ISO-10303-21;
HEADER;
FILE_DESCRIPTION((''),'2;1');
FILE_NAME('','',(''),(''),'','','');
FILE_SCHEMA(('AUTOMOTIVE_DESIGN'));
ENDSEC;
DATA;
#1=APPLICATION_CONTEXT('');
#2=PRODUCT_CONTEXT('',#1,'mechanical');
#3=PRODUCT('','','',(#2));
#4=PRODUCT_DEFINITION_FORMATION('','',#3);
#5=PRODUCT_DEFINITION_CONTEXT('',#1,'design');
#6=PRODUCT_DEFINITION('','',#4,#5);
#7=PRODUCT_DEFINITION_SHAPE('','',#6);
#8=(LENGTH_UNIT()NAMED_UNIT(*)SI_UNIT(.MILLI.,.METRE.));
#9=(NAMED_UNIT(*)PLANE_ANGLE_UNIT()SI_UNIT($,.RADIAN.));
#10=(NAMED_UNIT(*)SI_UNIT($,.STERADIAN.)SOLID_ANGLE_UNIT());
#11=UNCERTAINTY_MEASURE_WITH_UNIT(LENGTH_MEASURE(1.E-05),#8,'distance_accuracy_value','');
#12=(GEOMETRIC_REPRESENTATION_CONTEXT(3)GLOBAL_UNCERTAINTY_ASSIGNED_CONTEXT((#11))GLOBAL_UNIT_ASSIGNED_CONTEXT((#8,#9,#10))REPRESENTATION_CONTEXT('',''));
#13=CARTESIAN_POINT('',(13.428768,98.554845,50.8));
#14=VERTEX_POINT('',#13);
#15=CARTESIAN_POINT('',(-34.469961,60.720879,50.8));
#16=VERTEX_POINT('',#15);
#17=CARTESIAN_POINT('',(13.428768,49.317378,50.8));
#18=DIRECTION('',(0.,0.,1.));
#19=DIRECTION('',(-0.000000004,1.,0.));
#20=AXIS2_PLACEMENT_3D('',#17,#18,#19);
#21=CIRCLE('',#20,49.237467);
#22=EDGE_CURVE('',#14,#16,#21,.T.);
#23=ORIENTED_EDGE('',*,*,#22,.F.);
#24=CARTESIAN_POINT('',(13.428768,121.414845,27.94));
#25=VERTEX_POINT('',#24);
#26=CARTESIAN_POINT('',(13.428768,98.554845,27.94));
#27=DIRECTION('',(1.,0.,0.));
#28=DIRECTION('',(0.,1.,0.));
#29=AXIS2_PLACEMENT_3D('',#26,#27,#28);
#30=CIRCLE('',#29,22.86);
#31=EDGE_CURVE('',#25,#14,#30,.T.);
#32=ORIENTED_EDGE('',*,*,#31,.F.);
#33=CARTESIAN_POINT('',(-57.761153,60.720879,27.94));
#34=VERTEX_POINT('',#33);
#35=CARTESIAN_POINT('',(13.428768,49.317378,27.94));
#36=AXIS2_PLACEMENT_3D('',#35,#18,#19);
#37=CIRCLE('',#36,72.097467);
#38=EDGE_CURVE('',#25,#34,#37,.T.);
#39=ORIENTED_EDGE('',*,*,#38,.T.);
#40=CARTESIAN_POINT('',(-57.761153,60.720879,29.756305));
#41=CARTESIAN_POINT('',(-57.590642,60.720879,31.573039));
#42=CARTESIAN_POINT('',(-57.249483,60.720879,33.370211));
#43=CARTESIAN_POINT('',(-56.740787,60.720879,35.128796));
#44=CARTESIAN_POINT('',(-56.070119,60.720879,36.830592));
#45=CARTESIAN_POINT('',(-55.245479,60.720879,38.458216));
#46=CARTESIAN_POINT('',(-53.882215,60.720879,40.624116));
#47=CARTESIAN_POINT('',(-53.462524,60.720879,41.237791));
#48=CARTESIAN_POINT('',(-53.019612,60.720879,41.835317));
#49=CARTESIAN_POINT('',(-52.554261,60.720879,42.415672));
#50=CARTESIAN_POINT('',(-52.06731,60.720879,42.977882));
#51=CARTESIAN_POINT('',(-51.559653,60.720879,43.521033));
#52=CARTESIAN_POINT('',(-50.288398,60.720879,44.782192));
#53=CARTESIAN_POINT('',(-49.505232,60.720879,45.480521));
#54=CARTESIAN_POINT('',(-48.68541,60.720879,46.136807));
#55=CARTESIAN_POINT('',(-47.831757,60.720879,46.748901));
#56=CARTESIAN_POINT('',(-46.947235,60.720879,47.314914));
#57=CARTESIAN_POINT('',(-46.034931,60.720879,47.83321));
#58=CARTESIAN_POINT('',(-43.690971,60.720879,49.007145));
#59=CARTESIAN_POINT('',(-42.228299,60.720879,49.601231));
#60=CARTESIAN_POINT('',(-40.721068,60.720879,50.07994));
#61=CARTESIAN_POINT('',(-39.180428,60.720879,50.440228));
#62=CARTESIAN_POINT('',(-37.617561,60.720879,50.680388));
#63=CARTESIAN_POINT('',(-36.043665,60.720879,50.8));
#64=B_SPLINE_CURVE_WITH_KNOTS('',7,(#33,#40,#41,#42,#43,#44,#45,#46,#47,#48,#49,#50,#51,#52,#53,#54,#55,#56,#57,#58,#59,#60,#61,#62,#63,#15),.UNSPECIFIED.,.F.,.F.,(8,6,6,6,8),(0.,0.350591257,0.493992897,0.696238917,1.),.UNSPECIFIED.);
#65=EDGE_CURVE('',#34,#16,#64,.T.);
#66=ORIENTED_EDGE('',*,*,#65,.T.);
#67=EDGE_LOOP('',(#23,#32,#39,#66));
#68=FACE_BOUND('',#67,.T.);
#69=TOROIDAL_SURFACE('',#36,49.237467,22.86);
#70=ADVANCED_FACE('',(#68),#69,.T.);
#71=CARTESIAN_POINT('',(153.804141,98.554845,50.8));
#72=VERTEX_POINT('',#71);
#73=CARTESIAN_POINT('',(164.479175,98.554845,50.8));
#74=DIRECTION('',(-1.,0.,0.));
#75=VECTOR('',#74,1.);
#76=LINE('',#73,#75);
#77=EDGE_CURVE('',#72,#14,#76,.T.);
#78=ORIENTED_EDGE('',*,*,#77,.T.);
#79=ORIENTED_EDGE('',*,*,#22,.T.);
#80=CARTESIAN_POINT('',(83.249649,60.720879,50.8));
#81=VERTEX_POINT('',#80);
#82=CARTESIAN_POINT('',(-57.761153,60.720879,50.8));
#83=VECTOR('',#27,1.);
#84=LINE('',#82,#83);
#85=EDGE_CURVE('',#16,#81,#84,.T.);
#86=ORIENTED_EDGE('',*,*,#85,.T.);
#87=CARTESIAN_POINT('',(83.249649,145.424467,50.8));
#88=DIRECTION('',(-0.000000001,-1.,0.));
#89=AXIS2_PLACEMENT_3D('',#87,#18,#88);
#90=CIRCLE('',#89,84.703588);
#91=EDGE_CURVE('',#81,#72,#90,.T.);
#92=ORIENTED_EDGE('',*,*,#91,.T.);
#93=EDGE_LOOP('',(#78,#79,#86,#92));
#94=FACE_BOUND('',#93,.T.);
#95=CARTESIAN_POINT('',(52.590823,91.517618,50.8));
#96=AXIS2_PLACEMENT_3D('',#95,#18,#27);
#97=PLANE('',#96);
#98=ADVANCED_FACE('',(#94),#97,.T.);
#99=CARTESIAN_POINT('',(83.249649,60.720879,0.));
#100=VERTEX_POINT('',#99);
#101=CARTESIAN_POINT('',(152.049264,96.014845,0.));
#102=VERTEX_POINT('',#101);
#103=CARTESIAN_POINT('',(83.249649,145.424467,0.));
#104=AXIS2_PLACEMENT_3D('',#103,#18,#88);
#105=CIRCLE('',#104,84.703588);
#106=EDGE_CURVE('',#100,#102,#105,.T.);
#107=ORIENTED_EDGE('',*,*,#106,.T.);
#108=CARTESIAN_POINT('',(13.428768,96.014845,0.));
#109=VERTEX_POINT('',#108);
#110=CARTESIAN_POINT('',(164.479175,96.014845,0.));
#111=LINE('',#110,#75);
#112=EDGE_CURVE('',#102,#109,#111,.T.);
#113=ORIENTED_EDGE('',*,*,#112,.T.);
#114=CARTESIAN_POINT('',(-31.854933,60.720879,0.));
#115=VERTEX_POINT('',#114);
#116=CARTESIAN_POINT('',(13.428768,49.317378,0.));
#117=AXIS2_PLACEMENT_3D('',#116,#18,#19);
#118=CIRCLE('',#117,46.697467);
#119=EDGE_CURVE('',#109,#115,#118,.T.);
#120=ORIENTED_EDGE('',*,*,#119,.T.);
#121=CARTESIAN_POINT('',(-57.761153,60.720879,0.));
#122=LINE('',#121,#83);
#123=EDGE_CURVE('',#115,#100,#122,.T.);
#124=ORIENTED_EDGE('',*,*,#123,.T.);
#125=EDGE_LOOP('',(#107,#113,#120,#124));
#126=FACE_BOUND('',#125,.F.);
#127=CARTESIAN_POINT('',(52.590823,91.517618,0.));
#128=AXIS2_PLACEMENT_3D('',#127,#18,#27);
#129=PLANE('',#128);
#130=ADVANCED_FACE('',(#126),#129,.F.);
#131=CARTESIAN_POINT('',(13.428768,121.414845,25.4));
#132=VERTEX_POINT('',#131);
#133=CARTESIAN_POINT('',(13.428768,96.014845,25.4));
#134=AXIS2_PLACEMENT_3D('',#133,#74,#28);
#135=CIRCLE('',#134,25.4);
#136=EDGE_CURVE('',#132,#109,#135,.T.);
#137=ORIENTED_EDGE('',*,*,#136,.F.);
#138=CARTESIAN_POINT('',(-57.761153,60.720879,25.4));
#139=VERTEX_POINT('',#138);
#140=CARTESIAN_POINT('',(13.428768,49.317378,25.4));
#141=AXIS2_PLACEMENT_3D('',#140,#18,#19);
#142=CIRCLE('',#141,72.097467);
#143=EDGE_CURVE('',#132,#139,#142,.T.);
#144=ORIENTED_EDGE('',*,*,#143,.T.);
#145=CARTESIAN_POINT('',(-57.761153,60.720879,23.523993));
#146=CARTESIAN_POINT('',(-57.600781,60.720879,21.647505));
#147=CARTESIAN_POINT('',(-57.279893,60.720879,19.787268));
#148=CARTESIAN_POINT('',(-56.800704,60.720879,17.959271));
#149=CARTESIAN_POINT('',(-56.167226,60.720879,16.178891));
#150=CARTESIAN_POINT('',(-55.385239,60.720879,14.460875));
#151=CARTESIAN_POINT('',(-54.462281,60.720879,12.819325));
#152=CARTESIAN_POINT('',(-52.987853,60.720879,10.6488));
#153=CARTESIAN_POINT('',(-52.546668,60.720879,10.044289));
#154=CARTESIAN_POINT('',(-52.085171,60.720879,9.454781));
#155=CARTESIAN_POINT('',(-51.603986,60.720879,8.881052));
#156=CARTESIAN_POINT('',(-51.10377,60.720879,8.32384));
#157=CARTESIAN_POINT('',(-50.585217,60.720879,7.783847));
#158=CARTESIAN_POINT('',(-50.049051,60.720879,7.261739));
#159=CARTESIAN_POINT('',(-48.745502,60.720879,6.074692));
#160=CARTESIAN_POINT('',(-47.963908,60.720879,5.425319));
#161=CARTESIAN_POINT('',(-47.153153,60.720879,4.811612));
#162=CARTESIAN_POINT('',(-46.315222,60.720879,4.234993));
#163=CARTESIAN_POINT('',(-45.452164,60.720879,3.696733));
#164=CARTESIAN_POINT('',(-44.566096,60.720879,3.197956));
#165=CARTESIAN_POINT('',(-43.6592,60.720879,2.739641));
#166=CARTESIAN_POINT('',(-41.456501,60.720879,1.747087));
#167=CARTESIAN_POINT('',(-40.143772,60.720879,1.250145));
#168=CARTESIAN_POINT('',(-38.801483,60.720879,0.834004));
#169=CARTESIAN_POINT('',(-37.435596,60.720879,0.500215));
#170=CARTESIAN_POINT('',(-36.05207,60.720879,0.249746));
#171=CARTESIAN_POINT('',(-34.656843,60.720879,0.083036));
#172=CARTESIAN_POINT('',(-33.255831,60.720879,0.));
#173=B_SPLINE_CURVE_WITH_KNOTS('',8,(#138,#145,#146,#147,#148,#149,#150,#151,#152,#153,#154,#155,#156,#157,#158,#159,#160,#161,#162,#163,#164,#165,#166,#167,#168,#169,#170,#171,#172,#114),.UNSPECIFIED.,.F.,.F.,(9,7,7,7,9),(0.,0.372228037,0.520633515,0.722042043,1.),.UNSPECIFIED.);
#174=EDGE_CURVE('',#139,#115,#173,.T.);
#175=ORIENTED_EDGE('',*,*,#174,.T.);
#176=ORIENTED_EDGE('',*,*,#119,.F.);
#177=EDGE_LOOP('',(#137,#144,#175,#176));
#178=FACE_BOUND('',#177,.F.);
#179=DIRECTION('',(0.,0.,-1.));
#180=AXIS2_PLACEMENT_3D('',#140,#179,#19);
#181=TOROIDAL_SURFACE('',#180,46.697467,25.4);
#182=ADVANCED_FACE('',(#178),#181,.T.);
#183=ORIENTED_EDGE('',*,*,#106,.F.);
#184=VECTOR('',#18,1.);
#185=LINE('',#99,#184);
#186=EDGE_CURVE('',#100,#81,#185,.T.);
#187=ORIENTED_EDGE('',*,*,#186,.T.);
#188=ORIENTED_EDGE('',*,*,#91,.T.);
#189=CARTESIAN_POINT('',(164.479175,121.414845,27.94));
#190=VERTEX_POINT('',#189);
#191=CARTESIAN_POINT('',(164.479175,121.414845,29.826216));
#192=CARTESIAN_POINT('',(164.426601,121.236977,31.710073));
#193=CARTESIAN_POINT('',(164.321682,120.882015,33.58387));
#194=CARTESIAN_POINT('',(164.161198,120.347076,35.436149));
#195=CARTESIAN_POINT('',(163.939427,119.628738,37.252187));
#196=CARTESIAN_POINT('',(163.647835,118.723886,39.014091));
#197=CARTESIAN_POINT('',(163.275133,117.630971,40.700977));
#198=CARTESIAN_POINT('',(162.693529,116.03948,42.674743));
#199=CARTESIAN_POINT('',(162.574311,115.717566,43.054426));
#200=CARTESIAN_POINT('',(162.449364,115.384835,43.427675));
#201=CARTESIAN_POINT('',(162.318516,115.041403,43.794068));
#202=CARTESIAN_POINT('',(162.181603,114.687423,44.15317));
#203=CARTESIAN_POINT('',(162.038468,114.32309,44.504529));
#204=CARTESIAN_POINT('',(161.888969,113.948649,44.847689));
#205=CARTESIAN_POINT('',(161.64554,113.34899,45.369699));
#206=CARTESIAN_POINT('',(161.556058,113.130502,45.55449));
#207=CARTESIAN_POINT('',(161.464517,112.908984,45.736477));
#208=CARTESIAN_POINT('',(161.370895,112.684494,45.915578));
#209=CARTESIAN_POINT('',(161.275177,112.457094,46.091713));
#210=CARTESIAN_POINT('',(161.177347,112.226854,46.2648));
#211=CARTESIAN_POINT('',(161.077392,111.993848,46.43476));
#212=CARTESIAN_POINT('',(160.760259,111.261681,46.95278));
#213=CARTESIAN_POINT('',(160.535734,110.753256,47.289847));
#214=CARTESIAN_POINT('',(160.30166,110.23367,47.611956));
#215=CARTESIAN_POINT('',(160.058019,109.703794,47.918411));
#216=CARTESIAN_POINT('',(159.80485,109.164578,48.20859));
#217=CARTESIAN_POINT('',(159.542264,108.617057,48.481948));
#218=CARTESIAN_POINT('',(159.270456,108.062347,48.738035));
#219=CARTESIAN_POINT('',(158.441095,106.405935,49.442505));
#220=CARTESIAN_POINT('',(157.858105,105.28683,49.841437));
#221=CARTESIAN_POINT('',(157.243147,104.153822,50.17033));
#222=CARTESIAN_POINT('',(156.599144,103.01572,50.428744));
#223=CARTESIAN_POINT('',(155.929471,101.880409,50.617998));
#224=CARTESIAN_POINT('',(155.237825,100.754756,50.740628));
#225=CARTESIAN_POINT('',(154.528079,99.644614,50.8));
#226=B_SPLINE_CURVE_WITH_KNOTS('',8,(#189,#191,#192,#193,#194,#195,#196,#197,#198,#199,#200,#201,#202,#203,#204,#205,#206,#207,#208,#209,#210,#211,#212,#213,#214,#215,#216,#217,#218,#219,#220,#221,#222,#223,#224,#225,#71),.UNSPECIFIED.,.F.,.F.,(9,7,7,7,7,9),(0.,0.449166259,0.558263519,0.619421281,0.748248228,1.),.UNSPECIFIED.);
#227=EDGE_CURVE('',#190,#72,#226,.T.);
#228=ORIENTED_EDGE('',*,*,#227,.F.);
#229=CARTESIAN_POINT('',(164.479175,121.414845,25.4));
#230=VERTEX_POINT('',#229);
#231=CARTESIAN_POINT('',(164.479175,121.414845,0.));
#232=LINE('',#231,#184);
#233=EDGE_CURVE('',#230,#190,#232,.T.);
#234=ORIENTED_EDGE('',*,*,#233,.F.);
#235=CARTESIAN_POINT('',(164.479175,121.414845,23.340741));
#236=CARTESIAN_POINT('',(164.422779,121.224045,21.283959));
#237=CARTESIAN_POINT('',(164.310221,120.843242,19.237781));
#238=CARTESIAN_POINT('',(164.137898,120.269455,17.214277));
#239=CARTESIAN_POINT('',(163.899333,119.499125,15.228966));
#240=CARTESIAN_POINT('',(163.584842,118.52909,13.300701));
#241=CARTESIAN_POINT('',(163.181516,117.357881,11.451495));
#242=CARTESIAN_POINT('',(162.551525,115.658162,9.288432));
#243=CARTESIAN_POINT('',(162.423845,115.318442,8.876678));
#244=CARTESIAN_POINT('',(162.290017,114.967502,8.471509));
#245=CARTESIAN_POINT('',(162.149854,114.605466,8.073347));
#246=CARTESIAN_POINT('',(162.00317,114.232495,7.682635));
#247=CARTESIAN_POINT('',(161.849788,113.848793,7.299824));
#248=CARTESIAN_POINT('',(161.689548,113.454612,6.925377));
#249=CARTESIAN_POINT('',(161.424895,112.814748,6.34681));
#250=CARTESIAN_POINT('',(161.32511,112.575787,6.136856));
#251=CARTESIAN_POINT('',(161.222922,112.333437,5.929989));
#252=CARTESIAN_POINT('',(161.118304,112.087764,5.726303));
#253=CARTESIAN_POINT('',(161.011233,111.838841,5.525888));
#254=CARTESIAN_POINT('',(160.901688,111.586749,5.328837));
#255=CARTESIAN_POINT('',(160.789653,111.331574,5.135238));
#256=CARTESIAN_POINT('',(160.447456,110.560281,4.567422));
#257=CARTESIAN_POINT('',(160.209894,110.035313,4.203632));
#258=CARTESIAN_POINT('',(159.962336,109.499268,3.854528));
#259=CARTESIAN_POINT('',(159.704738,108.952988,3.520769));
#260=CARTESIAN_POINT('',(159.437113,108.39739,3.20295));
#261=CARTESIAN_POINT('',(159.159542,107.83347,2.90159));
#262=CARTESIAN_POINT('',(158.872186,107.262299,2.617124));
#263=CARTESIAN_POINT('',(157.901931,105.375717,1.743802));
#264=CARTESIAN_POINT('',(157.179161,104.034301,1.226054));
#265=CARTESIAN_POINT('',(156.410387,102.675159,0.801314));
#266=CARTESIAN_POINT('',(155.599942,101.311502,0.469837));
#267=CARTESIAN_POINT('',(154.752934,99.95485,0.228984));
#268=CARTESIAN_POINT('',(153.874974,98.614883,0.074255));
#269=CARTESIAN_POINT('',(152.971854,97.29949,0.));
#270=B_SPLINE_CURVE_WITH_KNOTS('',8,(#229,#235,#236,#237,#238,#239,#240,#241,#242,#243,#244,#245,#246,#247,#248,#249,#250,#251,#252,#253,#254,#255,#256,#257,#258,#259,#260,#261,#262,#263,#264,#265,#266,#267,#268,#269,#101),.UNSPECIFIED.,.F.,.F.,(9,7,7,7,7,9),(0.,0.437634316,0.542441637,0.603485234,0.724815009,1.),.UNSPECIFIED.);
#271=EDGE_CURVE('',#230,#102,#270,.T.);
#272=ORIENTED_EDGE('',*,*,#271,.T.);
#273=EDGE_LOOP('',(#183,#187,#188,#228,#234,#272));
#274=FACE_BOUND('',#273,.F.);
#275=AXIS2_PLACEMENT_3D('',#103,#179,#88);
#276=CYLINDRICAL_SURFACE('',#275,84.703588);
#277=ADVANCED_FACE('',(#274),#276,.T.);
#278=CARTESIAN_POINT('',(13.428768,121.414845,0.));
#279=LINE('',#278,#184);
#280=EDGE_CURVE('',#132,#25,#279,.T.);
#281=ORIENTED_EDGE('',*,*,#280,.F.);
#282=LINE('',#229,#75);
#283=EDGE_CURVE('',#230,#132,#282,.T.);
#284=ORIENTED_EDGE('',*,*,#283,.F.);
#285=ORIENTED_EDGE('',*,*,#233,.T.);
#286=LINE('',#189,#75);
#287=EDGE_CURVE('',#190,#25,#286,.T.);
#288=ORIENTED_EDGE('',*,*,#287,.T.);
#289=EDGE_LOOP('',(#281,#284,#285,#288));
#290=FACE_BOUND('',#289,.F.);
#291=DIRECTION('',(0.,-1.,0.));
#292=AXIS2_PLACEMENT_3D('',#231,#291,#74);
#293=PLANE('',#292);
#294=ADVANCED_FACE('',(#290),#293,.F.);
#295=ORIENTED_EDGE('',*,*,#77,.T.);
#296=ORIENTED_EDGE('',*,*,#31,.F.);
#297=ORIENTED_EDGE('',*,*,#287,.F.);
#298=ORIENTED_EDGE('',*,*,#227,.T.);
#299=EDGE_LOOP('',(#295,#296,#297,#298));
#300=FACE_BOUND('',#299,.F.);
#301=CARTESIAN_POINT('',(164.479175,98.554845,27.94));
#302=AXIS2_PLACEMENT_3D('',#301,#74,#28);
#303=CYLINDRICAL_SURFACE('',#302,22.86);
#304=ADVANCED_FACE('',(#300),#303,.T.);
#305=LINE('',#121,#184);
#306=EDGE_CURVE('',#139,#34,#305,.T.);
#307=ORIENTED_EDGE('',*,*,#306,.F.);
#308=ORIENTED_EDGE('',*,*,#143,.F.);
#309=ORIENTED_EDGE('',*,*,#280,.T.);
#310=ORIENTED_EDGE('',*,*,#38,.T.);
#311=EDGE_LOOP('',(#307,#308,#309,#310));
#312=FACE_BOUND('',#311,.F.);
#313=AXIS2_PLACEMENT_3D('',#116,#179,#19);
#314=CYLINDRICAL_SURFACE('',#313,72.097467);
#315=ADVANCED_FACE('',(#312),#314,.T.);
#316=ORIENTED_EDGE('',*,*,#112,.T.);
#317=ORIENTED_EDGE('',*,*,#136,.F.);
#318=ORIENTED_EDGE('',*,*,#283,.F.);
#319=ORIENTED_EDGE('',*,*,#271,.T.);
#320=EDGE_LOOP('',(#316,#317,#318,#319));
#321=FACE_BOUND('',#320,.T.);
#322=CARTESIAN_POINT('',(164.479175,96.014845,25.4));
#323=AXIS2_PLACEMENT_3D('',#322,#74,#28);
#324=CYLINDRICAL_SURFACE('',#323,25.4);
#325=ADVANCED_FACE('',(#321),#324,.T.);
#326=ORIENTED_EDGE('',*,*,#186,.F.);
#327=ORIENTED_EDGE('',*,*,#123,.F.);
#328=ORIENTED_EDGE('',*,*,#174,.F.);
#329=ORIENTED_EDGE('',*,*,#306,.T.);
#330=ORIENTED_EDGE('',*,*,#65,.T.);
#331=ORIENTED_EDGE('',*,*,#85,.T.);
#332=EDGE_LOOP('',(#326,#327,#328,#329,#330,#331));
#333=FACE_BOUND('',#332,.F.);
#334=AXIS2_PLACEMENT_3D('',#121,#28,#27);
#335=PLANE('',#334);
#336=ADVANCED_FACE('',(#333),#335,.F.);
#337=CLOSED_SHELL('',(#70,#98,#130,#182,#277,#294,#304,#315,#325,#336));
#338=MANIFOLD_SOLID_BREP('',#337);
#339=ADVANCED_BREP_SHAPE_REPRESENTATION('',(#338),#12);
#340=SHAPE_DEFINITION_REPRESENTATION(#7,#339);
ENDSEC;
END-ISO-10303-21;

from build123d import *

# Parameters (mm, degrees)
F1_DEPTH = 50.8
F2_R     = 22.86
F3_R     = 25.4


with BuildPart() as f1:
    # F0 (on Top) → F1 (new body)
    with BuildSketch(Plane.XY):
        with BuildLine():
            ThreePointArc((13.428768, 121.414845), (-33.346659, 104.181794), (-57.761153, 60.720879))
            Line((-57.761153, 60.720879), (83.249649, 60.720879))
            ThreePointArc((83.249649, 60.720879), (133.949731, 77.570215), (164.479175, 121.414845))
            Line((164.479175, 121.414845), (13.428768, 121.414845))
        make_face()
    extrude(amount=F1_DEPTH)

    # F2
    f2_edges = [f1.edges().sort_by_distance(p)[0] for p in [
        (-33.346659, 104.181794, 50.8),
        (88.953971, 121.414845, 50.8),
    ]]
    fillet(f2_edges, radius=F2_R)

    # F3
    f3_edges = [f1.edges().sort_by_distance(p)[0] for p in [
        (88.953971, 121.414845, 0),
        (-33.346659, 104.181794, 0),
    ]]
    fillet(f3_edges, radius=F3_R)


solid = f1.part
